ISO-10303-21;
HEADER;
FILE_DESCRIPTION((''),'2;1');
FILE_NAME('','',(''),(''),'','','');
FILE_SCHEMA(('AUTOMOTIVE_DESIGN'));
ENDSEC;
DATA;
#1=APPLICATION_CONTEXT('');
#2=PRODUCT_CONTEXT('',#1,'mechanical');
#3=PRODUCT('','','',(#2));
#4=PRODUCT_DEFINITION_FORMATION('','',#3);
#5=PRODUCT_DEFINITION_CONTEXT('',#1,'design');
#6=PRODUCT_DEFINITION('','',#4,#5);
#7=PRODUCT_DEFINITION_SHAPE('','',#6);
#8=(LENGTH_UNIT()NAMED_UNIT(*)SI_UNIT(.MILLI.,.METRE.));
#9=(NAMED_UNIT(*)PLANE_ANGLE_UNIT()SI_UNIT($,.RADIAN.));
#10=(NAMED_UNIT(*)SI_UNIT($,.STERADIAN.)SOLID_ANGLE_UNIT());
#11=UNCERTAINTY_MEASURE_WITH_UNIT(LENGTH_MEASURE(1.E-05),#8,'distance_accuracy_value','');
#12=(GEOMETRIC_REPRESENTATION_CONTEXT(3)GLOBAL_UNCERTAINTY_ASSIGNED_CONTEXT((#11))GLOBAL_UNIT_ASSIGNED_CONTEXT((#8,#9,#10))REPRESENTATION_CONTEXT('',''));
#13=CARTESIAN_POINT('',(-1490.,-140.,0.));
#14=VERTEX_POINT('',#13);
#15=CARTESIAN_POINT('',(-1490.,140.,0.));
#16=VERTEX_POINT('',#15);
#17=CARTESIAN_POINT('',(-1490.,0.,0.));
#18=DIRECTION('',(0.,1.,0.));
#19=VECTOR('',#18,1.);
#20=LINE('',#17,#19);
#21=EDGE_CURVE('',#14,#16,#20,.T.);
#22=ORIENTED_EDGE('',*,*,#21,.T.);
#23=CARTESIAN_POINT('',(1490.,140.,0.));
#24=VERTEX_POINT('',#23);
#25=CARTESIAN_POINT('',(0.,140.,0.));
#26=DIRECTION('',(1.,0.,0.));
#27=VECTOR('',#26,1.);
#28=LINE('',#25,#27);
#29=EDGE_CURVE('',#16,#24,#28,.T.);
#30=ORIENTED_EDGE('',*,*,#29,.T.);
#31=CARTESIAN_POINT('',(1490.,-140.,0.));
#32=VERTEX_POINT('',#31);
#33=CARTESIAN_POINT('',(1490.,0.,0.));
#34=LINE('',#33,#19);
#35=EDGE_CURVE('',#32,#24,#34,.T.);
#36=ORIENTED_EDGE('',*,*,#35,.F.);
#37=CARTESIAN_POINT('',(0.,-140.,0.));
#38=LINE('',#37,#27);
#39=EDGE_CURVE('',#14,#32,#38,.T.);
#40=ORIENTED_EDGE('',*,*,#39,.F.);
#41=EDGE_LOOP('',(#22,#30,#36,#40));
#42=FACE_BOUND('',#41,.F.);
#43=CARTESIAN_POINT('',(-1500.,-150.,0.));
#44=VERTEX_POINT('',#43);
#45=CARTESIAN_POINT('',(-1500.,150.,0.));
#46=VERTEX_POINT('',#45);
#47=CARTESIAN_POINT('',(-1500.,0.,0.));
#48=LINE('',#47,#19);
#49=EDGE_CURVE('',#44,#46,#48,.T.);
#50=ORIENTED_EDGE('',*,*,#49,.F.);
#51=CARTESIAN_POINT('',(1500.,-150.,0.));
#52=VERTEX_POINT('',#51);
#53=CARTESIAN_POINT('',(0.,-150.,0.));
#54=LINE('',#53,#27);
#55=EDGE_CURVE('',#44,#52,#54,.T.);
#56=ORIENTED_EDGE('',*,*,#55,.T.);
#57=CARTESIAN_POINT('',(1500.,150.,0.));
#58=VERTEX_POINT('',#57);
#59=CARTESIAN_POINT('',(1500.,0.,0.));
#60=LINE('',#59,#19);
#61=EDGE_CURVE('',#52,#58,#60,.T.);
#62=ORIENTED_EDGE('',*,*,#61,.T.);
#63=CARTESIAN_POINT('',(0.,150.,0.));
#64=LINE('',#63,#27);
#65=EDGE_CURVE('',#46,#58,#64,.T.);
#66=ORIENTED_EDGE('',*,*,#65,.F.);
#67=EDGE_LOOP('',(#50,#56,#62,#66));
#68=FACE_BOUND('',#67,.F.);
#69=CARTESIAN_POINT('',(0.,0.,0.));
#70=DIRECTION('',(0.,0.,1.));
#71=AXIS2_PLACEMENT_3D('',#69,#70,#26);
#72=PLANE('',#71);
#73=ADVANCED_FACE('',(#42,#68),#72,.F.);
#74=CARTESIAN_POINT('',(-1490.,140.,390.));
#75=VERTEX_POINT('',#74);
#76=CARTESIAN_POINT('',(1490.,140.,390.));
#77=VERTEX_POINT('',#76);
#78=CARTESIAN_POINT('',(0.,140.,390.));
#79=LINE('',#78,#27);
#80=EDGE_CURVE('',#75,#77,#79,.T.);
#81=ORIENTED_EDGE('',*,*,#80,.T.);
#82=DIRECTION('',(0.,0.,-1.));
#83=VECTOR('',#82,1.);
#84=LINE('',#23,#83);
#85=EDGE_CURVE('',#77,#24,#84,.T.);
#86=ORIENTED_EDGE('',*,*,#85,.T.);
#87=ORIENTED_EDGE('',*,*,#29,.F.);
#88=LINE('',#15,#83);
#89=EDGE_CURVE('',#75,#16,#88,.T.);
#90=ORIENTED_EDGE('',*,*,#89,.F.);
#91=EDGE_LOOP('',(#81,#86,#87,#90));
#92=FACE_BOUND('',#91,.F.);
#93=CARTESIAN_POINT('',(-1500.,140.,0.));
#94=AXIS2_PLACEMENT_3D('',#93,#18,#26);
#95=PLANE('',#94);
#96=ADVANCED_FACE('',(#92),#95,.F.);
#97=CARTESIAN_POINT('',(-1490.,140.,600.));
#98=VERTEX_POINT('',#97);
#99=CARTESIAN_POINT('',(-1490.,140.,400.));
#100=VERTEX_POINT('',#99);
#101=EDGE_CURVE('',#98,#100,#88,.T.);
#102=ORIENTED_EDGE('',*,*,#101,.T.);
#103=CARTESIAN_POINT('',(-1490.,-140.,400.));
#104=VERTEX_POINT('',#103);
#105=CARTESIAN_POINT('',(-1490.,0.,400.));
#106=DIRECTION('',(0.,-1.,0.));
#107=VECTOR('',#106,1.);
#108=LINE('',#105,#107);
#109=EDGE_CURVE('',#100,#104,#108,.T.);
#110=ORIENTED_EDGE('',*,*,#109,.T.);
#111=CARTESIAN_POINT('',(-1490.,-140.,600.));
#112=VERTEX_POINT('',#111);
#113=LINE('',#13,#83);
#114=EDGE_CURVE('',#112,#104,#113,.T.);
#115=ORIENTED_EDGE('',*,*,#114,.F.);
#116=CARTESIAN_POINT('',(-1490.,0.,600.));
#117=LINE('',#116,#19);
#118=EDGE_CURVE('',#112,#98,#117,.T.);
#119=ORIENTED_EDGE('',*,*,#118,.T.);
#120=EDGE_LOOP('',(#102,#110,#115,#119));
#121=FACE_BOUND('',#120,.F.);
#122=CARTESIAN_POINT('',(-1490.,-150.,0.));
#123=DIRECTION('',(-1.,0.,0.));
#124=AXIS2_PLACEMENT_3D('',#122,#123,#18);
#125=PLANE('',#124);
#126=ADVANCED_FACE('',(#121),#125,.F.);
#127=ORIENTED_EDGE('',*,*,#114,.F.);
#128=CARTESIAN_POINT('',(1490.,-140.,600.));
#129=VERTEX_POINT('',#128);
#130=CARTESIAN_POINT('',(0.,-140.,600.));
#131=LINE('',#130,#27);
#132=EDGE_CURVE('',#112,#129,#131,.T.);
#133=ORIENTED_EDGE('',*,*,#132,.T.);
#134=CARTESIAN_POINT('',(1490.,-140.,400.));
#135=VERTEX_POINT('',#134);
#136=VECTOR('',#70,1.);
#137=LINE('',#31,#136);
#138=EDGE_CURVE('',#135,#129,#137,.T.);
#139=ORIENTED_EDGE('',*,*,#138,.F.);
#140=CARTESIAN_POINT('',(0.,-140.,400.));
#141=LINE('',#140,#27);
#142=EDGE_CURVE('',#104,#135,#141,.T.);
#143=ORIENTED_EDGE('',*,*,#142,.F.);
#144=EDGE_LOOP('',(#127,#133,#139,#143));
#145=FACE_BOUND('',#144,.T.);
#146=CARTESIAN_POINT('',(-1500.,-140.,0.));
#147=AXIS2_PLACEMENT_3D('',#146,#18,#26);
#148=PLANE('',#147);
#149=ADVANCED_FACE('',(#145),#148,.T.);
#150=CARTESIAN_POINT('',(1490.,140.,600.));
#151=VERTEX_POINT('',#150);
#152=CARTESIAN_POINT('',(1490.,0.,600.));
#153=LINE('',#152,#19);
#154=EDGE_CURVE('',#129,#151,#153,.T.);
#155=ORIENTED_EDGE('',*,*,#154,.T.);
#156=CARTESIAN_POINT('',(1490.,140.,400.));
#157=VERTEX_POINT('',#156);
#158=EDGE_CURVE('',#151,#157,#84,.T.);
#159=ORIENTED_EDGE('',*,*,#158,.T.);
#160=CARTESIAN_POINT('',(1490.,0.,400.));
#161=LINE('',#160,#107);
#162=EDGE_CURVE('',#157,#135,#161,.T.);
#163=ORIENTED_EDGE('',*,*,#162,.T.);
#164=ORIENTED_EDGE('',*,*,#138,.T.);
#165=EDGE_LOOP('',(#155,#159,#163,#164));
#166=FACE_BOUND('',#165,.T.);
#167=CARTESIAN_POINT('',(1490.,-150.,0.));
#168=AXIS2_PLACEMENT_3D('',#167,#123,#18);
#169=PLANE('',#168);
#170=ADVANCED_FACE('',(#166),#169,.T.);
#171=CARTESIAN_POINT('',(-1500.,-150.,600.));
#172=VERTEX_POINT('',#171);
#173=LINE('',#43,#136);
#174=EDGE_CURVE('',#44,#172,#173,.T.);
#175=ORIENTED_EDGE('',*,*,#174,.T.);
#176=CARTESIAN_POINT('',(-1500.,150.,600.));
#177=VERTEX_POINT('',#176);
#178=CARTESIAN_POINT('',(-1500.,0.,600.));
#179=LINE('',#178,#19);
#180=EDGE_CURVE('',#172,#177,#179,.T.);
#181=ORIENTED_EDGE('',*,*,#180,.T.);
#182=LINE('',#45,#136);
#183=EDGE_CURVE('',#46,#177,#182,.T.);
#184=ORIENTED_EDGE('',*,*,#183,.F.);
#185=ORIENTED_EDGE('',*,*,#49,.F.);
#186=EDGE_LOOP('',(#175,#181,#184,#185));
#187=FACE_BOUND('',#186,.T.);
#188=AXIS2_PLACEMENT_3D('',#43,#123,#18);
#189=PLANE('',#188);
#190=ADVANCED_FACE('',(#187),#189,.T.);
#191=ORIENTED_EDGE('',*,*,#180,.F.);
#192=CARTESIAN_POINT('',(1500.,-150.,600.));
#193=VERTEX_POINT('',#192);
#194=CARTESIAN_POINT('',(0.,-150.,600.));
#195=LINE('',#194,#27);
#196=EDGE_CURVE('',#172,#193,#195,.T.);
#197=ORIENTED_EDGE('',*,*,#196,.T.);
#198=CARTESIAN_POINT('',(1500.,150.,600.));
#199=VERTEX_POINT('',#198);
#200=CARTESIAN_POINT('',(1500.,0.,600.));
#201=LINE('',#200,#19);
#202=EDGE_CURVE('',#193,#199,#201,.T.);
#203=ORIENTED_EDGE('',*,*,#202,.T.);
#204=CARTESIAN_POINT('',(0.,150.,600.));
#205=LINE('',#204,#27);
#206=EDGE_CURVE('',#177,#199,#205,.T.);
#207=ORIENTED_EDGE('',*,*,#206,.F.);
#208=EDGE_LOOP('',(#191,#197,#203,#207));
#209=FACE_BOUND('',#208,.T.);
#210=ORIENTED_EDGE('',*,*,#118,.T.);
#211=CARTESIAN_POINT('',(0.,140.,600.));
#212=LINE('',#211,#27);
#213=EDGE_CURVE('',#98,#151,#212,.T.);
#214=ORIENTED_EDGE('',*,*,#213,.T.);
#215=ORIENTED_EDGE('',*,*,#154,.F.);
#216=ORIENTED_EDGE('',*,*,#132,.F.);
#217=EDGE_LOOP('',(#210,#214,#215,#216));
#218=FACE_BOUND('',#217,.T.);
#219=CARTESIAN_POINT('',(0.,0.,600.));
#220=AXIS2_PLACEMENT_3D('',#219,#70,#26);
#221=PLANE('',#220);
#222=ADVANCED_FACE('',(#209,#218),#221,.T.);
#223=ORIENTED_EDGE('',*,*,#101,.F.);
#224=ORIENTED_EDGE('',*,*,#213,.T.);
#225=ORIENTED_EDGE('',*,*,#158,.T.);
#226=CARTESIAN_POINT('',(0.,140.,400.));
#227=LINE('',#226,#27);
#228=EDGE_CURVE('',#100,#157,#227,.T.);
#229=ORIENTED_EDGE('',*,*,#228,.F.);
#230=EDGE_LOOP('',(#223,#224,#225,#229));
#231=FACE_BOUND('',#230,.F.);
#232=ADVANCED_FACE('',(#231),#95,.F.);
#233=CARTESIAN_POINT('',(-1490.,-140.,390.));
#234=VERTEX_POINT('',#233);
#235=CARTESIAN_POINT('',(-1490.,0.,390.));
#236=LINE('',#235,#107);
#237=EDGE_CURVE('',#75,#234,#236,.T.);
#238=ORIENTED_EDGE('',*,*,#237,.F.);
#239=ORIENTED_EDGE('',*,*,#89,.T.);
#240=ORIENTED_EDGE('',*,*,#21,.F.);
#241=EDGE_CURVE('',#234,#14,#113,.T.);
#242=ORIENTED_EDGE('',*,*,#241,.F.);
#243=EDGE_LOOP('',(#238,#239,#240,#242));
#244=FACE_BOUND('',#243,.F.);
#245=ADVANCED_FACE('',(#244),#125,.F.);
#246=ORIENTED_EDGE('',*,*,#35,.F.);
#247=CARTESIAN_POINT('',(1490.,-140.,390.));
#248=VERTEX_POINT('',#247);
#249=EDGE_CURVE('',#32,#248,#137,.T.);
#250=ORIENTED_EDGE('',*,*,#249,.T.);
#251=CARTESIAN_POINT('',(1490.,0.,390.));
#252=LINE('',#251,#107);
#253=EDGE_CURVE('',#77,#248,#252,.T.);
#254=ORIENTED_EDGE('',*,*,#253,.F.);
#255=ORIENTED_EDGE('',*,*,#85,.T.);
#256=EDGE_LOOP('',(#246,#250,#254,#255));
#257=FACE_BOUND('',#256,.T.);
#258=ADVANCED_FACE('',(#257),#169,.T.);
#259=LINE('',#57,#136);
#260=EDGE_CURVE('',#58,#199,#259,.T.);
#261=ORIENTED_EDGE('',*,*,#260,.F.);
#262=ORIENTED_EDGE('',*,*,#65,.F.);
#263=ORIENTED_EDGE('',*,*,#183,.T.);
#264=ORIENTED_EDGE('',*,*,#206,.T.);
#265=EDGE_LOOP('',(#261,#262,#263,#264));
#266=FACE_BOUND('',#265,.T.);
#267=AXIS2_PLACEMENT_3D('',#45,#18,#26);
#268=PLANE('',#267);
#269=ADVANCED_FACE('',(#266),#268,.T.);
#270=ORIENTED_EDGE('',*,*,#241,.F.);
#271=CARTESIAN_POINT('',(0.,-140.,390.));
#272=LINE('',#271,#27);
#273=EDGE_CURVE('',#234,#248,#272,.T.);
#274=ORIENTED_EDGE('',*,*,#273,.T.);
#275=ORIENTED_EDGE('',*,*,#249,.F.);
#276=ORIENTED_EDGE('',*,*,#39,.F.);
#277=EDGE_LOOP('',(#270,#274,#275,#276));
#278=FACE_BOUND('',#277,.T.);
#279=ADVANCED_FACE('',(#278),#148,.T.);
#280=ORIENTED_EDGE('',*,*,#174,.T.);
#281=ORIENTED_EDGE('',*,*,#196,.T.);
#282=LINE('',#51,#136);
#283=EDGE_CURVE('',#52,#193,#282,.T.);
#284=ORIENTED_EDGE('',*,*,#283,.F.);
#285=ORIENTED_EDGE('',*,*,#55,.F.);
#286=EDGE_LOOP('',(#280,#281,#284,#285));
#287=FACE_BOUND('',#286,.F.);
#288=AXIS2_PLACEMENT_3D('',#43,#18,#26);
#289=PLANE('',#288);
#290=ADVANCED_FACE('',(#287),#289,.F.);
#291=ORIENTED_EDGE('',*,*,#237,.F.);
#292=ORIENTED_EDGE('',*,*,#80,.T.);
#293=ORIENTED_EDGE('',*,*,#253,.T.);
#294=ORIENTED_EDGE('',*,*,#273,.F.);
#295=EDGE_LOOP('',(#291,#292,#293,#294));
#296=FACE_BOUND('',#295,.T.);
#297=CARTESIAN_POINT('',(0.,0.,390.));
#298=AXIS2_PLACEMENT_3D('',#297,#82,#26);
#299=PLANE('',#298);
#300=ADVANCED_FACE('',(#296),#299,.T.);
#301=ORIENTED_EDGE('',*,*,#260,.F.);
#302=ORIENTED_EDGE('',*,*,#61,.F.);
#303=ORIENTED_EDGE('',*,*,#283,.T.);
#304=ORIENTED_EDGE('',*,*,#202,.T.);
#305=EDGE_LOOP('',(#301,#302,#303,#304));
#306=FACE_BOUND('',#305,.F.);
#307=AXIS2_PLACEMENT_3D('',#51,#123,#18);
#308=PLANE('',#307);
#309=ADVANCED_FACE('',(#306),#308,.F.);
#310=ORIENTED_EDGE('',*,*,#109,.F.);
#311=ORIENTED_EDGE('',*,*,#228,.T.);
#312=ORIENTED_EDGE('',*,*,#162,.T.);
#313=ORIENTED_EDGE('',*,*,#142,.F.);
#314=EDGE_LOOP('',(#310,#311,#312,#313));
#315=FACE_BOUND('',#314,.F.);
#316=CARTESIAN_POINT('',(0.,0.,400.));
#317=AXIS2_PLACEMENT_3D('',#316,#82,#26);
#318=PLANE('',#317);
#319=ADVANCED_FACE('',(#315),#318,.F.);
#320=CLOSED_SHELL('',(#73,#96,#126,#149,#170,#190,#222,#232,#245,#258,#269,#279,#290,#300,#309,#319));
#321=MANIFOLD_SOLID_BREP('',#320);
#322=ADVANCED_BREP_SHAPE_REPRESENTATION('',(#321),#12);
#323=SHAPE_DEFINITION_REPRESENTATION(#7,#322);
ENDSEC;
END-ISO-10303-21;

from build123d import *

# Parameters (mm, degrees)
F0_W     = 3000
F0_H     = 300
F1_DEPTH = 600
F2_T     = -10
F4_W     = 2980
F4_H     = 280
F5_DEPTH = 10


with BuildPart() as f1:
    # F0 (on Top) → F1 (new body)
    with BuildSketch(Plane.XY):
        Rectangle(F0_W, F0_H)
    extrude(amount=F1_DEPTH)

    # F2
    f2_openings = [f1.faces().sort_by_distance(p)[0] for p in [
        (0, 0, 600),
        (0, 0, 0),
    ]]
    offset(amount=F2_T, openings=f2_openings)

    # F4 (on offset) → F5 (join)
    with BuildSketch(Plane(origin=(0, 0, 400), x_dir=(1, 0, 0), z_dir=(0, 0, -1))):
        Rectangle(F4_W, F4_H)
    extrude(amount=F5_DEPTH)


solid = f1.part
